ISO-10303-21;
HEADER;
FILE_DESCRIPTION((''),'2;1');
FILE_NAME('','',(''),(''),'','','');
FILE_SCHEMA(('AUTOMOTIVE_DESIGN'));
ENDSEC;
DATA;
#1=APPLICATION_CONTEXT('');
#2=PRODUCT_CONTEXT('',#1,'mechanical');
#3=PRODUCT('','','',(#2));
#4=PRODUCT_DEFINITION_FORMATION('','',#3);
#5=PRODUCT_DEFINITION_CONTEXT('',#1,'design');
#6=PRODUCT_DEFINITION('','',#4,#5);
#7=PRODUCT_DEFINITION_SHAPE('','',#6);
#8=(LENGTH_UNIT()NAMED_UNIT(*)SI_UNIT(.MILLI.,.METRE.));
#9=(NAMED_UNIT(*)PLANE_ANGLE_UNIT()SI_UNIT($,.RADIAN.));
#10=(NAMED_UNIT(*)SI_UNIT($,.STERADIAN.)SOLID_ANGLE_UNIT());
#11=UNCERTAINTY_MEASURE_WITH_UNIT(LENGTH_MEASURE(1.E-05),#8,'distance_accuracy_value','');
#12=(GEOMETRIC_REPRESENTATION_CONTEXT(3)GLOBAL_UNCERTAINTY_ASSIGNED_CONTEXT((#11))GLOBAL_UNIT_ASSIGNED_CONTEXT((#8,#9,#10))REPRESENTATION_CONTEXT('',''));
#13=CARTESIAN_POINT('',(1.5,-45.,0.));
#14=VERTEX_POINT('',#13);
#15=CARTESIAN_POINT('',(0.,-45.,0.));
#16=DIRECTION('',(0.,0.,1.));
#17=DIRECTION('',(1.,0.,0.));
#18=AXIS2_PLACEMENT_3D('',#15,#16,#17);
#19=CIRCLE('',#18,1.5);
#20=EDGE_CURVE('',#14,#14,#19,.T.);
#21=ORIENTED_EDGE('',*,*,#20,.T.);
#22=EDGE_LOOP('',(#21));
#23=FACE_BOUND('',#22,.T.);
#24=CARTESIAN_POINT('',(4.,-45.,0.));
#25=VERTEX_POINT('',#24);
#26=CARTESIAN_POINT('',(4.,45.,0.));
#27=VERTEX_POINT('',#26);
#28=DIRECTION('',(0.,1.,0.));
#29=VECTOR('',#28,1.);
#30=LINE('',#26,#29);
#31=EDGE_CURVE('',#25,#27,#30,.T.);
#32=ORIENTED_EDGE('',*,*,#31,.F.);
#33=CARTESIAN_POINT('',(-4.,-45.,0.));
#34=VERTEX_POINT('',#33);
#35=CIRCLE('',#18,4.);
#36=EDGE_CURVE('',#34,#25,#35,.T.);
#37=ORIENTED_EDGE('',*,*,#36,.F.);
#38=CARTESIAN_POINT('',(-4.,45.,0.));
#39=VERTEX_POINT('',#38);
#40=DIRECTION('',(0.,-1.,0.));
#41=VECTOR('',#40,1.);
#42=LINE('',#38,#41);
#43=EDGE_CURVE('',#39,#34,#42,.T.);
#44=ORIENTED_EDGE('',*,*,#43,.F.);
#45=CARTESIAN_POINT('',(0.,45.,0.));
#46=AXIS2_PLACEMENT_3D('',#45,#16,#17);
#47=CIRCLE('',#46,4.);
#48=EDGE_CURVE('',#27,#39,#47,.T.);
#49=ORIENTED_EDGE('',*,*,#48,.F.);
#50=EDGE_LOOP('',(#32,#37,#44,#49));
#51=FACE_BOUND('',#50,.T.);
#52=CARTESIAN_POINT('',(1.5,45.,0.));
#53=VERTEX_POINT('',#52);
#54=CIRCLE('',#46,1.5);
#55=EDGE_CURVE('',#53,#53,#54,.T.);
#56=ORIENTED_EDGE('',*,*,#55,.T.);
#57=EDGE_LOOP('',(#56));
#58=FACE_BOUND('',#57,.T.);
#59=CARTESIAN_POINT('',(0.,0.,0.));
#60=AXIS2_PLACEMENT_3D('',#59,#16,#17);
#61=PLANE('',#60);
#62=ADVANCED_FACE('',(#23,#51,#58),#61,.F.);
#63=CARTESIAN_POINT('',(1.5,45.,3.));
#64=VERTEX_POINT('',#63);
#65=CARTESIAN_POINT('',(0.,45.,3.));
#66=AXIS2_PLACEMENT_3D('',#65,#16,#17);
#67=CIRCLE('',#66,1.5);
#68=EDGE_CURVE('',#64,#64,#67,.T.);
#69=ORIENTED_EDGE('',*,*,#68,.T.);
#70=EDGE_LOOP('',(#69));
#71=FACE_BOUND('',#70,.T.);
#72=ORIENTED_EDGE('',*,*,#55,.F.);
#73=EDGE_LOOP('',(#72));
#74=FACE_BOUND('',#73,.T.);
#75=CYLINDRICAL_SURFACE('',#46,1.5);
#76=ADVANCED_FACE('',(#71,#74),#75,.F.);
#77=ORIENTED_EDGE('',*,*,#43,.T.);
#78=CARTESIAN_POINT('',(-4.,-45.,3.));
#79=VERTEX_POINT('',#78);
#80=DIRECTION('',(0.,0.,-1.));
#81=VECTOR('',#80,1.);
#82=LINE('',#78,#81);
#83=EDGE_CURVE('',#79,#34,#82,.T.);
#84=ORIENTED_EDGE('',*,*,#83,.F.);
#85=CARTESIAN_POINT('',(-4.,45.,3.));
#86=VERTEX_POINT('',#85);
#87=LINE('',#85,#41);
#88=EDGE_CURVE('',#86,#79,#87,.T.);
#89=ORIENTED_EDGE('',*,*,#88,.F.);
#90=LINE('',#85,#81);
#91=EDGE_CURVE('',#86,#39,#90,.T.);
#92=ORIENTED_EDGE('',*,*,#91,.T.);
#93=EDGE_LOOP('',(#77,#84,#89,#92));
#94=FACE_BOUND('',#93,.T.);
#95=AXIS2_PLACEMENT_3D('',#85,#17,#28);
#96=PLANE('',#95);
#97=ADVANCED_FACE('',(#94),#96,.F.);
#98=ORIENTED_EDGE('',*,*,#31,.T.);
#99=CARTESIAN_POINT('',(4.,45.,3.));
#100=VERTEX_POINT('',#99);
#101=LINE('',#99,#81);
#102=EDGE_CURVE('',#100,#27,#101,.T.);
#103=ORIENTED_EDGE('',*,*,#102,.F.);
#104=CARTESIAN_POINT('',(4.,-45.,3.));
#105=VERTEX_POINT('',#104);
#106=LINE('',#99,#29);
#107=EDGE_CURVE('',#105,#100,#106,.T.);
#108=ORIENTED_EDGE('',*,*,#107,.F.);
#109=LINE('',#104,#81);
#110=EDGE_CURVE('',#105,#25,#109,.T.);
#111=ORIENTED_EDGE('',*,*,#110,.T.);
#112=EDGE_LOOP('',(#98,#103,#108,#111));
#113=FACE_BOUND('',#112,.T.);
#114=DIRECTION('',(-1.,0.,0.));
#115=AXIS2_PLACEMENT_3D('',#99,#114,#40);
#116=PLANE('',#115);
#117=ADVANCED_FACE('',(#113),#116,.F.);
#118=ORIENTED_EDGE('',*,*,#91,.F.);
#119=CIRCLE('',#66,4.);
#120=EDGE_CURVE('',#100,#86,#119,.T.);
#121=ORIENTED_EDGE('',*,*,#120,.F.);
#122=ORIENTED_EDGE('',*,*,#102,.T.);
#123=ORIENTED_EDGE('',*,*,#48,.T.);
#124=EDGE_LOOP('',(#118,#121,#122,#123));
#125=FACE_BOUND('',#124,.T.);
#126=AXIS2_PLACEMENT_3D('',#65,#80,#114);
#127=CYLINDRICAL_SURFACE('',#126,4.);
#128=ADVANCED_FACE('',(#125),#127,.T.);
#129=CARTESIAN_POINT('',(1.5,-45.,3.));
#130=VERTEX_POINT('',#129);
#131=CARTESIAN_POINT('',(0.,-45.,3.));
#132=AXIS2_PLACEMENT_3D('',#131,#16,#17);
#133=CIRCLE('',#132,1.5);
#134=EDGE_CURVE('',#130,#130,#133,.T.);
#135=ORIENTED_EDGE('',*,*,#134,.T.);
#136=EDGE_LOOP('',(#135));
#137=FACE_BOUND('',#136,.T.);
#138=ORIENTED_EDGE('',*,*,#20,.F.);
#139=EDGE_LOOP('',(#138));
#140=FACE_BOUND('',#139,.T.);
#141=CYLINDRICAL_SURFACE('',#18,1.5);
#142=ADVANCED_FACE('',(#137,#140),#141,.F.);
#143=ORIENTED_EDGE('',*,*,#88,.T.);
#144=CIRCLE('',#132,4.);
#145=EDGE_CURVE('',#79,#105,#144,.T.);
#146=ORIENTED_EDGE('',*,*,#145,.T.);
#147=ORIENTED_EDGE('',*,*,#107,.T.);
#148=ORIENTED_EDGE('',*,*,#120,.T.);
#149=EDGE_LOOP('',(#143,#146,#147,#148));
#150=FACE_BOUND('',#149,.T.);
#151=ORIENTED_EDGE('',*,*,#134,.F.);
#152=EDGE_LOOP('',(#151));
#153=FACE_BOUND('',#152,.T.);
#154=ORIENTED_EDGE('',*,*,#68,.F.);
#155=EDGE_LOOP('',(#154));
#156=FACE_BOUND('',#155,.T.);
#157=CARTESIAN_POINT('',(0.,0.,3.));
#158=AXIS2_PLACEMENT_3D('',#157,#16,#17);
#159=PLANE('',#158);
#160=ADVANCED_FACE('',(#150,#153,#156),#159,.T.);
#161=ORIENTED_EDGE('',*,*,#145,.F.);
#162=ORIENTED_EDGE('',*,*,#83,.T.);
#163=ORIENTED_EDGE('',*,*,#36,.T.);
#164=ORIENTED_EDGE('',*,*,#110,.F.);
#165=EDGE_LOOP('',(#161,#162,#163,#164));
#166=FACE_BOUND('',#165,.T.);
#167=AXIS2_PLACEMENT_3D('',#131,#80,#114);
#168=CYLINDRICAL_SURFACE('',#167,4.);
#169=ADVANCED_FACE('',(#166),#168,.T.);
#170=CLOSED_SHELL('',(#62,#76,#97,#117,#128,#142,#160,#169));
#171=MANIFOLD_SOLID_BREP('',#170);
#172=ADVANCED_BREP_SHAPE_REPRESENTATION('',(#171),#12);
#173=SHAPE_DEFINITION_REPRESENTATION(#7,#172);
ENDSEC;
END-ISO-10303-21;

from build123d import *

# Parameters (mm, degrees)
SKETCH_1_W          = 8
SKETCH_1_H          = 90
EXTRUDE_1_DEPTH     = 3
SKETCH_2_R          = 4
EXTRUDE_2_DEPTH     = 3
SKETCH_3_R          = 1.5
CUT_EXTRUDE_1_DEPTH = 3


with BuildPart() as part:
    # 草图1 → 凸台-拉伸1 (new body)
    with BuildSketch(Plane.XY):
        Rectangle(SKETCH_1_W, SKETCH_1_H)
    extrude(amount=EXTRUDE_1_DEPTH)

    # 草图2 → 凸台-拉伸2 (add)
    with BuildSketch(Plane.XY):
        with Locations((0, 45)):
            Circle(SKETCH_2_R)
        with Locations((0, -45)):
            Circle(SKETCH_2_R)
    extrude(amount=EXTRUDE_2_DEPTH)

    # 草图3 → 切除-拉伸1 (cut)
    with BuildSketch(Plane.XY.offset(3)):
        with Locations((0, 45)):
            Circle(SKETCH_3_R)
        with Locations((0, -45)):
            Circle(SKETCH_3_R)
    extrude(amount=-CUT_EXTRUDE_1_DEPTH, mode=Mode.SUBTRACT)


solid = part.part
